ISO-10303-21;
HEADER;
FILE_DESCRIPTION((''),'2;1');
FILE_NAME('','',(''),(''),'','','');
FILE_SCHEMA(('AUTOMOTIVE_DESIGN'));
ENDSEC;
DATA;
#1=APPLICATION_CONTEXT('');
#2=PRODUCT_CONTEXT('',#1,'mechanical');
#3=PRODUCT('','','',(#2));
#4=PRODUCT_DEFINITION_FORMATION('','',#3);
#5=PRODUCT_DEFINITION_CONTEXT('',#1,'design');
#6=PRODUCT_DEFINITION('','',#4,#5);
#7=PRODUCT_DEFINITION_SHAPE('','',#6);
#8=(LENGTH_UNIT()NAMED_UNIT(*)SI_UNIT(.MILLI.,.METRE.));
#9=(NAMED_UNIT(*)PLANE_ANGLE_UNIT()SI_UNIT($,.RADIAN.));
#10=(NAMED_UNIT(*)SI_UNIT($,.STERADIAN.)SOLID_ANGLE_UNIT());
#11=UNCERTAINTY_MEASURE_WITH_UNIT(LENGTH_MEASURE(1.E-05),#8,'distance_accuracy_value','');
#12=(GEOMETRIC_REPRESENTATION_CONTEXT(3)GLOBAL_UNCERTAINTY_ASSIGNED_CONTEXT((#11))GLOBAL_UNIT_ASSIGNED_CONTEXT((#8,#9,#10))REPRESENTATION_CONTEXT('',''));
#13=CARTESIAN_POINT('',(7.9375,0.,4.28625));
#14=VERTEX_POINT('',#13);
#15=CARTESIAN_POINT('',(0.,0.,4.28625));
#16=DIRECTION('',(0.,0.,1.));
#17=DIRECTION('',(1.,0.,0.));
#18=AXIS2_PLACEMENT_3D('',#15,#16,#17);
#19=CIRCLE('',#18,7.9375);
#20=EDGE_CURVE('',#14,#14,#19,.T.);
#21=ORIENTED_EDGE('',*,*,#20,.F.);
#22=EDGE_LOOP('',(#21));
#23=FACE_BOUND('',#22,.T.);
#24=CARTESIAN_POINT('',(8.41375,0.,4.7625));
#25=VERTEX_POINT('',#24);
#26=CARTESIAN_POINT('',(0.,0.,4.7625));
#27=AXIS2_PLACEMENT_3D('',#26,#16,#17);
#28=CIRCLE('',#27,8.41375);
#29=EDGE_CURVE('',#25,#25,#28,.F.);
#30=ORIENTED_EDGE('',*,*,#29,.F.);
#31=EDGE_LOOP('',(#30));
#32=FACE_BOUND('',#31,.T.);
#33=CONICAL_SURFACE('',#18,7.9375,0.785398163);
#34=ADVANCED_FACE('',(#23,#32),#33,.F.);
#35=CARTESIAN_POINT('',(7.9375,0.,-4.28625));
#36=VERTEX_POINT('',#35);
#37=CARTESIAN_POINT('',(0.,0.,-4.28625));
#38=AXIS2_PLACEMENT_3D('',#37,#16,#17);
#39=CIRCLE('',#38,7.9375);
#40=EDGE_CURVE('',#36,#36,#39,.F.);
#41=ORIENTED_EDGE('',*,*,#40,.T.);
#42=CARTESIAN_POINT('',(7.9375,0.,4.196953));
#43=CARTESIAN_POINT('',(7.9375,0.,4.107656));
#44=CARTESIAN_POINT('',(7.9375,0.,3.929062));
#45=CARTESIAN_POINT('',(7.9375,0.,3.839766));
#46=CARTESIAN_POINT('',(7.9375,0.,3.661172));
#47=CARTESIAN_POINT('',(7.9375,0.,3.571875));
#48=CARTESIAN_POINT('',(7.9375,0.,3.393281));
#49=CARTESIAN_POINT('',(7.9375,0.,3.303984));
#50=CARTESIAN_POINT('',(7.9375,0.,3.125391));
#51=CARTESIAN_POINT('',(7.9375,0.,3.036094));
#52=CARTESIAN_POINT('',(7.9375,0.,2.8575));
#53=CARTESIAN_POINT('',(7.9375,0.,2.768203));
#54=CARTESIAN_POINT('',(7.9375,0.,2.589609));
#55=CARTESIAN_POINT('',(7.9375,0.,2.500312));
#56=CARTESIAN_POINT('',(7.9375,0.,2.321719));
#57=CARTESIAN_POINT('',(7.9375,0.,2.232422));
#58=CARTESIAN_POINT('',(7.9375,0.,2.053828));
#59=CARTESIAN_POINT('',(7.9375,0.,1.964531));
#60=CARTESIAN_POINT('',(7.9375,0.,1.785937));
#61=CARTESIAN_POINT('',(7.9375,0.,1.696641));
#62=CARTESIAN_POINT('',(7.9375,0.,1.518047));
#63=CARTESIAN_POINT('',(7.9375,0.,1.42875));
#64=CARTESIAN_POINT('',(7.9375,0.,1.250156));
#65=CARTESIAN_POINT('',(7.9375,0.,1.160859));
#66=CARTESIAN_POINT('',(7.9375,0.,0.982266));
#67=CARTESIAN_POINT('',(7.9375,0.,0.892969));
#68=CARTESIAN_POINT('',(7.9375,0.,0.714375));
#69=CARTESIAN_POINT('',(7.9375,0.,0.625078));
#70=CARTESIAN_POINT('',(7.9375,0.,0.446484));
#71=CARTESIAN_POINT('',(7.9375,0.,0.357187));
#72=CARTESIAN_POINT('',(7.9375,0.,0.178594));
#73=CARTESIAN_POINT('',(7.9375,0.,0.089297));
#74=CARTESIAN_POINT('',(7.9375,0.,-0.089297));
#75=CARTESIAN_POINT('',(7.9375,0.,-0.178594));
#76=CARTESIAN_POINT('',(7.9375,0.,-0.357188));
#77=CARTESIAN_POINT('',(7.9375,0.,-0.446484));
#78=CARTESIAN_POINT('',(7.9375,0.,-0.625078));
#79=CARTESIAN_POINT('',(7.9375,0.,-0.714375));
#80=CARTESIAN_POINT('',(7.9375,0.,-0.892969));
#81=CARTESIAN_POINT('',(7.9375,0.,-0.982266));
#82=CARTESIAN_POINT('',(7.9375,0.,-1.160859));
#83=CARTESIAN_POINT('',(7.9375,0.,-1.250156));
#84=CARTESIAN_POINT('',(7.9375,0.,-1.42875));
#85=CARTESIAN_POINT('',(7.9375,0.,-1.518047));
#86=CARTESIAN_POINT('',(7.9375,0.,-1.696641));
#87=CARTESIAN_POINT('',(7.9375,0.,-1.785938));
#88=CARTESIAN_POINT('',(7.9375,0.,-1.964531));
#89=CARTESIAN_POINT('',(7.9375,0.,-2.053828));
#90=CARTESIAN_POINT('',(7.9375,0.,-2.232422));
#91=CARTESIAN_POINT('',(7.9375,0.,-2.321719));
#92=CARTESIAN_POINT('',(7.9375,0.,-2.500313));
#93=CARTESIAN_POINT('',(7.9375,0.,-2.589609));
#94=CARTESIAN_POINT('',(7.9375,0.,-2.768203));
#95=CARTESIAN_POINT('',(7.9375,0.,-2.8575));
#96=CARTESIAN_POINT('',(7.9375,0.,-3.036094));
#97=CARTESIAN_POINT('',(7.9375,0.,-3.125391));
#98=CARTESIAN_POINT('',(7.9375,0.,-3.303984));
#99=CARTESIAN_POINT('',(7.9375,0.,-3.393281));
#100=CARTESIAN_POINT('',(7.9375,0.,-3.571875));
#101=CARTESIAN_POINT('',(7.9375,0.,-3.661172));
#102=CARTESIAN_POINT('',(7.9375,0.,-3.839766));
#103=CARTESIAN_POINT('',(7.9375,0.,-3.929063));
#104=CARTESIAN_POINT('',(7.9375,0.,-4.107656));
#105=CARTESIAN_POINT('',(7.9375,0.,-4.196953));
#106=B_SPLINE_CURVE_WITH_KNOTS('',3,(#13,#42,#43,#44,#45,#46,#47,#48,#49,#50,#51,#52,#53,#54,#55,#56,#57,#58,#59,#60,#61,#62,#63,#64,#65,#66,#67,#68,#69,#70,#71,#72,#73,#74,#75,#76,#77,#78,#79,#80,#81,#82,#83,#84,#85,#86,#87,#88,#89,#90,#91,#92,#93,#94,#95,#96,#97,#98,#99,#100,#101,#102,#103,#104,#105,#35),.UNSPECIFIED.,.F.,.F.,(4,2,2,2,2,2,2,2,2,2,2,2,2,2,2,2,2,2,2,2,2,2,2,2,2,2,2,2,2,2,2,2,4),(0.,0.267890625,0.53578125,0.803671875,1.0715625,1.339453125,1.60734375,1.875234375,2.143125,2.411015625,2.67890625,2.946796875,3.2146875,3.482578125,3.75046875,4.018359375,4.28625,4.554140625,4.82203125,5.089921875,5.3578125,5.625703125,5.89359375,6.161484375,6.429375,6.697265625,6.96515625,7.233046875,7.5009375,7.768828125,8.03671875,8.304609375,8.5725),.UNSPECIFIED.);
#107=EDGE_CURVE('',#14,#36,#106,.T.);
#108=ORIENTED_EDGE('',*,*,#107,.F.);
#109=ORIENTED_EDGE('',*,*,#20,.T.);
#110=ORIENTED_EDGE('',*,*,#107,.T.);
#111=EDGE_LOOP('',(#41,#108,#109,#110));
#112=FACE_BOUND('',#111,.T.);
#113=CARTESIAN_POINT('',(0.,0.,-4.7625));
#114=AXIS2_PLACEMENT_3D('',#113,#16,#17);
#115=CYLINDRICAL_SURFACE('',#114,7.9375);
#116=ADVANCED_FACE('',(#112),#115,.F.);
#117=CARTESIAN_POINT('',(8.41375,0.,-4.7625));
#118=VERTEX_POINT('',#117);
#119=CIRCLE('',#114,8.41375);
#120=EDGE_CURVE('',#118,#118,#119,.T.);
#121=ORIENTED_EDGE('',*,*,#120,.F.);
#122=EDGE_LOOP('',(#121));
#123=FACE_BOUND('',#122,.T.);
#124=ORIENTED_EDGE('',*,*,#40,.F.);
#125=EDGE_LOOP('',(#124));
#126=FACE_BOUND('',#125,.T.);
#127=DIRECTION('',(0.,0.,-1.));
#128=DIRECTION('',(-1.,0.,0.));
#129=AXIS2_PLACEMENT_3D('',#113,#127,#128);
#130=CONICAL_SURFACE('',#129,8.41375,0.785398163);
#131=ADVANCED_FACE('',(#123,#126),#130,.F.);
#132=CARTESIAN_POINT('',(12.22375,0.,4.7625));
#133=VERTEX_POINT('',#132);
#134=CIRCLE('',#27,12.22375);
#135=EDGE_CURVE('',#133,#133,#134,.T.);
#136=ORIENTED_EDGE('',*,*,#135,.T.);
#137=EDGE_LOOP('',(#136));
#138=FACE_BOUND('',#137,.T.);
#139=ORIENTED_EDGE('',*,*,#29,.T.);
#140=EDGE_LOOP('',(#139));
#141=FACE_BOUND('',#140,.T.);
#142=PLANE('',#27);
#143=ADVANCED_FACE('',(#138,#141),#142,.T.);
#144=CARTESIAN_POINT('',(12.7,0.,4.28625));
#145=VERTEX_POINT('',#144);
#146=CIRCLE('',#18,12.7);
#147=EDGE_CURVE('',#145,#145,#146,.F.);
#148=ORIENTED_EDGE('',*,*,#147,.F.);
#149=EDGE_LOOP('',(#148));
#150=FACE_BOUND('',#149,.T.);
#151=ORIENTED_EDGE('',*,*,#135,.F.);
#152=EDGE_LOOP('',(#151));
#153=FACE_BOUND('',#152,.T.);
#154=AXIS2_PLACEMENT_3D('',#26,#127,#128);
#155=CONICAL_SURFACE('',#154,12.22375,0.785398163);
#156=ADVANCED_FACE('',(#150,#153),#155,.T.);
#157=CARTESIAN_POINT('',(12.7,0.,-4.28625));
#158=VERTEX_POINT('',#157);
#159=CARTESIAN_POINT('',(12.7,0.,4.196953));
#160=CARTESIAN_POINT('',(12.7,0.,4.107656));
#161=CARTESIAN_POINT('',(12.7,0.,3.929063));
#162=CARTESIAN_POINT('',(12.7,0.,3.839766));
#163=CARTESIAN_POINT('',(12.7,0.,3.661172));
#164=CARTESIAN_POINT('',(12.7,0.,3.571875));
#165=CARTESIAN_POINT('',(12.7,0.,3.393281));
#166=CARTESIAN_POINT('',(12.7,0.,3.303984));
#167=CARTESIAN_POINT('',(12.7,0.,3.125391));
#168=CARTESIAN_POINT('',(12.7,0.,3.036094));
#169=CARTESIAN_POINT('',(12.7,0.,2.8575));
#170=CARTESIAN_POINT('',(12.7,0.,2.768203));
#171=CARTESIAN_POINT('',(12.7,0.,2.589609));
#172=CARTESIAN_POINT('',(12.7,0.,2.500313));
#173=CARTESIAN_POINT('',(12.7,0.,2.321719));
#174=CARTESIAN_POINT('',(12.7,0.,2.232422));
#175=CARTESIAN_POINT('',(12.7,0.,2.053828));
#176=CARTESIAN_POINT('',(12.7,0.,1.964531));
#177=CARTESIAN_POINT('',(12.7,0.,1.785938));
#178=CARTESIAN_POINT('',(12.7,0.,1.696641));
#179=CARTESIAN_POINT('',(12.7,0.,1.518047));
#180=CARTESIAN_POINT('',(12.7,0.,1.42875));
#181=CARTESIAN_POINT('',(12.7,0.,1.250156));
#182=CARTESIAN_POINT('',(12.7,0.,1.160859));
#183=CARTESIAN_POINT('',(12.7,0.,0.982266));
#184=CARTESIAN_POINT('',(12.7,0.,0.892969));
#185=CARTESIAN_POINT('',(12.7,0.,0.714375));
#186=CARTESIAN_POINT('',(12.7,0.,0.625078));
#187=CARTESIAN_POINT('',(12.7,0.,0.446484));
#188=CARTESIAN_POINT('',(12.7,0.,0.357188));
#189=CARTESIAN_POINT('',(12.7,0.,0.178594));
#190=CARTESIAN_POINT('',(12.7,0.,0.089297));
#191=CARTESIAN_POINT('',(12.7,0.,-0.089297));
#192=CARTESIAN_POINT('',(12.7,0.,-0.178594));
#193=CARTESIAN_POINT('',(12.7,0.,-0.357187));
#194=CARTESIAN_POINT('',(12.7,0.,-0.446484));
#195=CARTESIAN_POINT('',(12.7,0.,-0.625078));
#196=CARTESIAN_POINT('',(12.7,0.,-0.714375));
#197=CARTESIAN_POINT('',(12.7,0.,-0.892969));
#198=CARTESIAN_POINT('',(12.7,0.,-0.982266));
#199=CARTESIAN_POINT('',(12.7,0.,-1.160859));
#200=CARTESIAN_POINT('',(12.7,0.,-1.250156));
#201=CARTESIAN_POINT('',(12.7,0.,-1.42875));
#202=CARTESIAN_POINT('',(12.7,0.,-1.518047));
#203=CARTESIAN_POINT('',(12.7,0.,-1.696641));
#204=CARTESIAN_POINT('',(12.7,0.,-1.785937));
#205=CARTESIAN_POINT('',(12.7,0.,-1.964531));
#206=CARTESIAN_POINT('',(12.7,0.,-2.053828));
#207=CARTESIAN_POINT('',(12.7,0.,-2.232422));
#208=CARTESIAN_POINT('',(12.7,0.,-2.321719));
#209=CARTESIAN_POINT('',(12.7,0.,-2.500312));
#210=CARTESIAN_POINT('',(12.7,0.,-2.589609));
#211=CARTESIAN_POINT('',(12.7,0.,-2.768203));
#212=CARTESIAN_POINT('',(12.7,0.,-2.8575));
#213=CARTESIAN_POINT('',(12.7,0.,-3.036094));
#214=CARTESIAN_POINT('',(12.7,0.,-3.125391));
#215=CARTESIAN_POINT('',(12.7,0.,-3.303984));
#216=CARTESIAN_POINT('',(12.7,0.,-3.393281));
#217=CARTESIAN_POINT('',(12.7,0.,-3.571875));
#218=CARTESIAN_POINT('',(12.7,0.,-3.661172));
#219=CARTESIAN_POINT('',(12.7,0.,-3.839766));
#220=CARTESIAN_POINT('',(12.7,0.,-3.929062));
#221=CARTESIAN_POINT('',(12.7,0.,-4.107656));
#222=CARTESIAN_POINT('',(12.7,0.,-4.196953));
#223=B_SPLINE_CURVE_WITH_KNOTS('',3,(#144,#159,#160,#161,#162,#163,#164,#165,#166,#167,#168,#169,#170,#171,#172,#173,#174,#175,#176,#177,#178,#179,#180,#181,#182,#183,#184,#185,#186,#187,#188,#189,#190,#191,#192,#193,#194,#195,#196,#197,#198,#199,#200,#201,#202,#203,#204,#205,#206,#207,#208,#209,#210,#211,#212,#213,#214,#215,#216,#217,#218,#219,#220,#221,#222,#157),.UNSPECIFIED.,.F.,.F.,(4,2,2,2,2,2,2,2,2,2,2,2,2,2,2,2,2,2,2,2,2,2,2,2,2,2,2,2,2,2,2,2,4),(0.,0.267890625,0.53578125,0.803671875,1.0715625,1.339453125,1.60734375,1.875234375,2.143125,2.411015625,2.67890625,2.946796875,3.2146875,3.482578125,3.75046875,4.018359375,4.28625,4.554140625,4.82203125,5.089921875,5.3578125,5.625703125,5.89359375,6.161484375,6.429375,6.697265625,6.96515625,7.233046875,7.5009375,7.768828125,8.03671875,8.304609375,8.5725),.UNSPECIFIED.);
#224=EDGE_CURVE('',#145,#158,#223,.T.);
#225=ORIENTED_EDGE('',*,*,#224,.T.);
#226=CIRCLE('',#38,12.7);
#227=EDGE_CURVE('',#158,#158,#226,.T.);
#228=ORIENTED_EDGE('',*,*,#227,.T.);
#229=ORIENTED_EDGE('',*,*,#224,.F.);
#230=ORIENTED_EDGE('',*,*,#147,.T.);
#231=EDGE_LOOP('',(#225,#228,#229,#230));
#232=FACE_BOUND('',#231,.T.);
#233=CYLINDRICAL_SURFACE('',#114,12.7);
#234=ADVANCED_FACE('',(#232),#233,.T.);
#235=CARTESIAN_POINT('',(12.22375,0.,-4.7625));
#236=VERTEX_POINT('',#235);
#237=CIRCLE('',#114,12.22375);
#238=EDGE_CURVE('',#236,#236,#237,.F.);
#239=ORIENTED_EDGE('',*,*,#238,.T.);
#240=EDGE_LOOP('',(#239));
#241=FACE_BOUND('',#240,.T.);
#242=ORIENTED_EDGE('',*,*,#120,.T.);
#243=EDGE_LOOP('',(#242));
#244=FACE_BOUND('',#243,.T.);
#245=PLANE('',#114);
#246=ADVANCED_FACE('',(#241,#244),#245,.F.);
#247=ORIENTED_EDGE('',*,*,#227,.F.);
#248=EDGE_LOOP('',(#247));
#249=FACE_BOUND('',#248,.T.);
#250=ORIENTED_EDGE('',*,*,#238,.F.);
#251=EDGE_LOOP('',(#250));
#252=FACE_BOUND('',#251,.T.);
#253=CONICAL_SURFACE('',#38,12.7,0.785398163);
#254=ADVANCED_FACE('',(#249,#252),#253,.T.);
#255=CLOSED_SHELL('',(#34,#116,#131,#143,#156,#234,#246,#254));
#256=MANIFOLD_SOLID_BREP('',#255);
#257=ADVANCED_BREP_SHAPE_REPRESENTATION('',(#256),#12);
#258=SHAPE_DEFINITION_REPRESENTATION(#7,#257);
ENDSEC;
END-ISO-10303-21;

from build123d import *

# Parameters (mm, degrees)
BOSS_EXTRUDE1_DEPTH      = 4.7625
BOSS_EXTRUDE1_DEPTH_BACK = 4.7625
SKETCH3_R                = 12.7
SKETCH3_R_2              = 7.9375
CHAMFER1_SIZE            = 0.47625


with BuildPart() as part:
    # Sketch3 → Boss-Extrude1 (new, two sides: drawn at the far end of the back side and taken through both)
    with BuildSketch(Plane.XY.offset(-BOSS_EXTRUDE1_DEPTH_BACK)):
        Circle(SKETCH3_R)
        Circle(SKETCH3_R_2, mode=Mode.SUBTRACT)
    extrude(amount=BOSS_EXTRUDE1_DEPTH + BOSS_EXTRUDE1_DEPTH_BACK)

    # Chamfer1
    chamfer1_edges = [part.edges().sort_by_distance(p)[0] for p in [
        (-12.7, 0, -4.7625),
        (-7.9375, 0, -4.7625),
        (-12.7, 0, 4.7625),
        (-7.9375, 0, 4.7625),
    ]]
    chamfer(chamfer1_edges, length=CHAMFER1_SIZE)


solid = part.part
